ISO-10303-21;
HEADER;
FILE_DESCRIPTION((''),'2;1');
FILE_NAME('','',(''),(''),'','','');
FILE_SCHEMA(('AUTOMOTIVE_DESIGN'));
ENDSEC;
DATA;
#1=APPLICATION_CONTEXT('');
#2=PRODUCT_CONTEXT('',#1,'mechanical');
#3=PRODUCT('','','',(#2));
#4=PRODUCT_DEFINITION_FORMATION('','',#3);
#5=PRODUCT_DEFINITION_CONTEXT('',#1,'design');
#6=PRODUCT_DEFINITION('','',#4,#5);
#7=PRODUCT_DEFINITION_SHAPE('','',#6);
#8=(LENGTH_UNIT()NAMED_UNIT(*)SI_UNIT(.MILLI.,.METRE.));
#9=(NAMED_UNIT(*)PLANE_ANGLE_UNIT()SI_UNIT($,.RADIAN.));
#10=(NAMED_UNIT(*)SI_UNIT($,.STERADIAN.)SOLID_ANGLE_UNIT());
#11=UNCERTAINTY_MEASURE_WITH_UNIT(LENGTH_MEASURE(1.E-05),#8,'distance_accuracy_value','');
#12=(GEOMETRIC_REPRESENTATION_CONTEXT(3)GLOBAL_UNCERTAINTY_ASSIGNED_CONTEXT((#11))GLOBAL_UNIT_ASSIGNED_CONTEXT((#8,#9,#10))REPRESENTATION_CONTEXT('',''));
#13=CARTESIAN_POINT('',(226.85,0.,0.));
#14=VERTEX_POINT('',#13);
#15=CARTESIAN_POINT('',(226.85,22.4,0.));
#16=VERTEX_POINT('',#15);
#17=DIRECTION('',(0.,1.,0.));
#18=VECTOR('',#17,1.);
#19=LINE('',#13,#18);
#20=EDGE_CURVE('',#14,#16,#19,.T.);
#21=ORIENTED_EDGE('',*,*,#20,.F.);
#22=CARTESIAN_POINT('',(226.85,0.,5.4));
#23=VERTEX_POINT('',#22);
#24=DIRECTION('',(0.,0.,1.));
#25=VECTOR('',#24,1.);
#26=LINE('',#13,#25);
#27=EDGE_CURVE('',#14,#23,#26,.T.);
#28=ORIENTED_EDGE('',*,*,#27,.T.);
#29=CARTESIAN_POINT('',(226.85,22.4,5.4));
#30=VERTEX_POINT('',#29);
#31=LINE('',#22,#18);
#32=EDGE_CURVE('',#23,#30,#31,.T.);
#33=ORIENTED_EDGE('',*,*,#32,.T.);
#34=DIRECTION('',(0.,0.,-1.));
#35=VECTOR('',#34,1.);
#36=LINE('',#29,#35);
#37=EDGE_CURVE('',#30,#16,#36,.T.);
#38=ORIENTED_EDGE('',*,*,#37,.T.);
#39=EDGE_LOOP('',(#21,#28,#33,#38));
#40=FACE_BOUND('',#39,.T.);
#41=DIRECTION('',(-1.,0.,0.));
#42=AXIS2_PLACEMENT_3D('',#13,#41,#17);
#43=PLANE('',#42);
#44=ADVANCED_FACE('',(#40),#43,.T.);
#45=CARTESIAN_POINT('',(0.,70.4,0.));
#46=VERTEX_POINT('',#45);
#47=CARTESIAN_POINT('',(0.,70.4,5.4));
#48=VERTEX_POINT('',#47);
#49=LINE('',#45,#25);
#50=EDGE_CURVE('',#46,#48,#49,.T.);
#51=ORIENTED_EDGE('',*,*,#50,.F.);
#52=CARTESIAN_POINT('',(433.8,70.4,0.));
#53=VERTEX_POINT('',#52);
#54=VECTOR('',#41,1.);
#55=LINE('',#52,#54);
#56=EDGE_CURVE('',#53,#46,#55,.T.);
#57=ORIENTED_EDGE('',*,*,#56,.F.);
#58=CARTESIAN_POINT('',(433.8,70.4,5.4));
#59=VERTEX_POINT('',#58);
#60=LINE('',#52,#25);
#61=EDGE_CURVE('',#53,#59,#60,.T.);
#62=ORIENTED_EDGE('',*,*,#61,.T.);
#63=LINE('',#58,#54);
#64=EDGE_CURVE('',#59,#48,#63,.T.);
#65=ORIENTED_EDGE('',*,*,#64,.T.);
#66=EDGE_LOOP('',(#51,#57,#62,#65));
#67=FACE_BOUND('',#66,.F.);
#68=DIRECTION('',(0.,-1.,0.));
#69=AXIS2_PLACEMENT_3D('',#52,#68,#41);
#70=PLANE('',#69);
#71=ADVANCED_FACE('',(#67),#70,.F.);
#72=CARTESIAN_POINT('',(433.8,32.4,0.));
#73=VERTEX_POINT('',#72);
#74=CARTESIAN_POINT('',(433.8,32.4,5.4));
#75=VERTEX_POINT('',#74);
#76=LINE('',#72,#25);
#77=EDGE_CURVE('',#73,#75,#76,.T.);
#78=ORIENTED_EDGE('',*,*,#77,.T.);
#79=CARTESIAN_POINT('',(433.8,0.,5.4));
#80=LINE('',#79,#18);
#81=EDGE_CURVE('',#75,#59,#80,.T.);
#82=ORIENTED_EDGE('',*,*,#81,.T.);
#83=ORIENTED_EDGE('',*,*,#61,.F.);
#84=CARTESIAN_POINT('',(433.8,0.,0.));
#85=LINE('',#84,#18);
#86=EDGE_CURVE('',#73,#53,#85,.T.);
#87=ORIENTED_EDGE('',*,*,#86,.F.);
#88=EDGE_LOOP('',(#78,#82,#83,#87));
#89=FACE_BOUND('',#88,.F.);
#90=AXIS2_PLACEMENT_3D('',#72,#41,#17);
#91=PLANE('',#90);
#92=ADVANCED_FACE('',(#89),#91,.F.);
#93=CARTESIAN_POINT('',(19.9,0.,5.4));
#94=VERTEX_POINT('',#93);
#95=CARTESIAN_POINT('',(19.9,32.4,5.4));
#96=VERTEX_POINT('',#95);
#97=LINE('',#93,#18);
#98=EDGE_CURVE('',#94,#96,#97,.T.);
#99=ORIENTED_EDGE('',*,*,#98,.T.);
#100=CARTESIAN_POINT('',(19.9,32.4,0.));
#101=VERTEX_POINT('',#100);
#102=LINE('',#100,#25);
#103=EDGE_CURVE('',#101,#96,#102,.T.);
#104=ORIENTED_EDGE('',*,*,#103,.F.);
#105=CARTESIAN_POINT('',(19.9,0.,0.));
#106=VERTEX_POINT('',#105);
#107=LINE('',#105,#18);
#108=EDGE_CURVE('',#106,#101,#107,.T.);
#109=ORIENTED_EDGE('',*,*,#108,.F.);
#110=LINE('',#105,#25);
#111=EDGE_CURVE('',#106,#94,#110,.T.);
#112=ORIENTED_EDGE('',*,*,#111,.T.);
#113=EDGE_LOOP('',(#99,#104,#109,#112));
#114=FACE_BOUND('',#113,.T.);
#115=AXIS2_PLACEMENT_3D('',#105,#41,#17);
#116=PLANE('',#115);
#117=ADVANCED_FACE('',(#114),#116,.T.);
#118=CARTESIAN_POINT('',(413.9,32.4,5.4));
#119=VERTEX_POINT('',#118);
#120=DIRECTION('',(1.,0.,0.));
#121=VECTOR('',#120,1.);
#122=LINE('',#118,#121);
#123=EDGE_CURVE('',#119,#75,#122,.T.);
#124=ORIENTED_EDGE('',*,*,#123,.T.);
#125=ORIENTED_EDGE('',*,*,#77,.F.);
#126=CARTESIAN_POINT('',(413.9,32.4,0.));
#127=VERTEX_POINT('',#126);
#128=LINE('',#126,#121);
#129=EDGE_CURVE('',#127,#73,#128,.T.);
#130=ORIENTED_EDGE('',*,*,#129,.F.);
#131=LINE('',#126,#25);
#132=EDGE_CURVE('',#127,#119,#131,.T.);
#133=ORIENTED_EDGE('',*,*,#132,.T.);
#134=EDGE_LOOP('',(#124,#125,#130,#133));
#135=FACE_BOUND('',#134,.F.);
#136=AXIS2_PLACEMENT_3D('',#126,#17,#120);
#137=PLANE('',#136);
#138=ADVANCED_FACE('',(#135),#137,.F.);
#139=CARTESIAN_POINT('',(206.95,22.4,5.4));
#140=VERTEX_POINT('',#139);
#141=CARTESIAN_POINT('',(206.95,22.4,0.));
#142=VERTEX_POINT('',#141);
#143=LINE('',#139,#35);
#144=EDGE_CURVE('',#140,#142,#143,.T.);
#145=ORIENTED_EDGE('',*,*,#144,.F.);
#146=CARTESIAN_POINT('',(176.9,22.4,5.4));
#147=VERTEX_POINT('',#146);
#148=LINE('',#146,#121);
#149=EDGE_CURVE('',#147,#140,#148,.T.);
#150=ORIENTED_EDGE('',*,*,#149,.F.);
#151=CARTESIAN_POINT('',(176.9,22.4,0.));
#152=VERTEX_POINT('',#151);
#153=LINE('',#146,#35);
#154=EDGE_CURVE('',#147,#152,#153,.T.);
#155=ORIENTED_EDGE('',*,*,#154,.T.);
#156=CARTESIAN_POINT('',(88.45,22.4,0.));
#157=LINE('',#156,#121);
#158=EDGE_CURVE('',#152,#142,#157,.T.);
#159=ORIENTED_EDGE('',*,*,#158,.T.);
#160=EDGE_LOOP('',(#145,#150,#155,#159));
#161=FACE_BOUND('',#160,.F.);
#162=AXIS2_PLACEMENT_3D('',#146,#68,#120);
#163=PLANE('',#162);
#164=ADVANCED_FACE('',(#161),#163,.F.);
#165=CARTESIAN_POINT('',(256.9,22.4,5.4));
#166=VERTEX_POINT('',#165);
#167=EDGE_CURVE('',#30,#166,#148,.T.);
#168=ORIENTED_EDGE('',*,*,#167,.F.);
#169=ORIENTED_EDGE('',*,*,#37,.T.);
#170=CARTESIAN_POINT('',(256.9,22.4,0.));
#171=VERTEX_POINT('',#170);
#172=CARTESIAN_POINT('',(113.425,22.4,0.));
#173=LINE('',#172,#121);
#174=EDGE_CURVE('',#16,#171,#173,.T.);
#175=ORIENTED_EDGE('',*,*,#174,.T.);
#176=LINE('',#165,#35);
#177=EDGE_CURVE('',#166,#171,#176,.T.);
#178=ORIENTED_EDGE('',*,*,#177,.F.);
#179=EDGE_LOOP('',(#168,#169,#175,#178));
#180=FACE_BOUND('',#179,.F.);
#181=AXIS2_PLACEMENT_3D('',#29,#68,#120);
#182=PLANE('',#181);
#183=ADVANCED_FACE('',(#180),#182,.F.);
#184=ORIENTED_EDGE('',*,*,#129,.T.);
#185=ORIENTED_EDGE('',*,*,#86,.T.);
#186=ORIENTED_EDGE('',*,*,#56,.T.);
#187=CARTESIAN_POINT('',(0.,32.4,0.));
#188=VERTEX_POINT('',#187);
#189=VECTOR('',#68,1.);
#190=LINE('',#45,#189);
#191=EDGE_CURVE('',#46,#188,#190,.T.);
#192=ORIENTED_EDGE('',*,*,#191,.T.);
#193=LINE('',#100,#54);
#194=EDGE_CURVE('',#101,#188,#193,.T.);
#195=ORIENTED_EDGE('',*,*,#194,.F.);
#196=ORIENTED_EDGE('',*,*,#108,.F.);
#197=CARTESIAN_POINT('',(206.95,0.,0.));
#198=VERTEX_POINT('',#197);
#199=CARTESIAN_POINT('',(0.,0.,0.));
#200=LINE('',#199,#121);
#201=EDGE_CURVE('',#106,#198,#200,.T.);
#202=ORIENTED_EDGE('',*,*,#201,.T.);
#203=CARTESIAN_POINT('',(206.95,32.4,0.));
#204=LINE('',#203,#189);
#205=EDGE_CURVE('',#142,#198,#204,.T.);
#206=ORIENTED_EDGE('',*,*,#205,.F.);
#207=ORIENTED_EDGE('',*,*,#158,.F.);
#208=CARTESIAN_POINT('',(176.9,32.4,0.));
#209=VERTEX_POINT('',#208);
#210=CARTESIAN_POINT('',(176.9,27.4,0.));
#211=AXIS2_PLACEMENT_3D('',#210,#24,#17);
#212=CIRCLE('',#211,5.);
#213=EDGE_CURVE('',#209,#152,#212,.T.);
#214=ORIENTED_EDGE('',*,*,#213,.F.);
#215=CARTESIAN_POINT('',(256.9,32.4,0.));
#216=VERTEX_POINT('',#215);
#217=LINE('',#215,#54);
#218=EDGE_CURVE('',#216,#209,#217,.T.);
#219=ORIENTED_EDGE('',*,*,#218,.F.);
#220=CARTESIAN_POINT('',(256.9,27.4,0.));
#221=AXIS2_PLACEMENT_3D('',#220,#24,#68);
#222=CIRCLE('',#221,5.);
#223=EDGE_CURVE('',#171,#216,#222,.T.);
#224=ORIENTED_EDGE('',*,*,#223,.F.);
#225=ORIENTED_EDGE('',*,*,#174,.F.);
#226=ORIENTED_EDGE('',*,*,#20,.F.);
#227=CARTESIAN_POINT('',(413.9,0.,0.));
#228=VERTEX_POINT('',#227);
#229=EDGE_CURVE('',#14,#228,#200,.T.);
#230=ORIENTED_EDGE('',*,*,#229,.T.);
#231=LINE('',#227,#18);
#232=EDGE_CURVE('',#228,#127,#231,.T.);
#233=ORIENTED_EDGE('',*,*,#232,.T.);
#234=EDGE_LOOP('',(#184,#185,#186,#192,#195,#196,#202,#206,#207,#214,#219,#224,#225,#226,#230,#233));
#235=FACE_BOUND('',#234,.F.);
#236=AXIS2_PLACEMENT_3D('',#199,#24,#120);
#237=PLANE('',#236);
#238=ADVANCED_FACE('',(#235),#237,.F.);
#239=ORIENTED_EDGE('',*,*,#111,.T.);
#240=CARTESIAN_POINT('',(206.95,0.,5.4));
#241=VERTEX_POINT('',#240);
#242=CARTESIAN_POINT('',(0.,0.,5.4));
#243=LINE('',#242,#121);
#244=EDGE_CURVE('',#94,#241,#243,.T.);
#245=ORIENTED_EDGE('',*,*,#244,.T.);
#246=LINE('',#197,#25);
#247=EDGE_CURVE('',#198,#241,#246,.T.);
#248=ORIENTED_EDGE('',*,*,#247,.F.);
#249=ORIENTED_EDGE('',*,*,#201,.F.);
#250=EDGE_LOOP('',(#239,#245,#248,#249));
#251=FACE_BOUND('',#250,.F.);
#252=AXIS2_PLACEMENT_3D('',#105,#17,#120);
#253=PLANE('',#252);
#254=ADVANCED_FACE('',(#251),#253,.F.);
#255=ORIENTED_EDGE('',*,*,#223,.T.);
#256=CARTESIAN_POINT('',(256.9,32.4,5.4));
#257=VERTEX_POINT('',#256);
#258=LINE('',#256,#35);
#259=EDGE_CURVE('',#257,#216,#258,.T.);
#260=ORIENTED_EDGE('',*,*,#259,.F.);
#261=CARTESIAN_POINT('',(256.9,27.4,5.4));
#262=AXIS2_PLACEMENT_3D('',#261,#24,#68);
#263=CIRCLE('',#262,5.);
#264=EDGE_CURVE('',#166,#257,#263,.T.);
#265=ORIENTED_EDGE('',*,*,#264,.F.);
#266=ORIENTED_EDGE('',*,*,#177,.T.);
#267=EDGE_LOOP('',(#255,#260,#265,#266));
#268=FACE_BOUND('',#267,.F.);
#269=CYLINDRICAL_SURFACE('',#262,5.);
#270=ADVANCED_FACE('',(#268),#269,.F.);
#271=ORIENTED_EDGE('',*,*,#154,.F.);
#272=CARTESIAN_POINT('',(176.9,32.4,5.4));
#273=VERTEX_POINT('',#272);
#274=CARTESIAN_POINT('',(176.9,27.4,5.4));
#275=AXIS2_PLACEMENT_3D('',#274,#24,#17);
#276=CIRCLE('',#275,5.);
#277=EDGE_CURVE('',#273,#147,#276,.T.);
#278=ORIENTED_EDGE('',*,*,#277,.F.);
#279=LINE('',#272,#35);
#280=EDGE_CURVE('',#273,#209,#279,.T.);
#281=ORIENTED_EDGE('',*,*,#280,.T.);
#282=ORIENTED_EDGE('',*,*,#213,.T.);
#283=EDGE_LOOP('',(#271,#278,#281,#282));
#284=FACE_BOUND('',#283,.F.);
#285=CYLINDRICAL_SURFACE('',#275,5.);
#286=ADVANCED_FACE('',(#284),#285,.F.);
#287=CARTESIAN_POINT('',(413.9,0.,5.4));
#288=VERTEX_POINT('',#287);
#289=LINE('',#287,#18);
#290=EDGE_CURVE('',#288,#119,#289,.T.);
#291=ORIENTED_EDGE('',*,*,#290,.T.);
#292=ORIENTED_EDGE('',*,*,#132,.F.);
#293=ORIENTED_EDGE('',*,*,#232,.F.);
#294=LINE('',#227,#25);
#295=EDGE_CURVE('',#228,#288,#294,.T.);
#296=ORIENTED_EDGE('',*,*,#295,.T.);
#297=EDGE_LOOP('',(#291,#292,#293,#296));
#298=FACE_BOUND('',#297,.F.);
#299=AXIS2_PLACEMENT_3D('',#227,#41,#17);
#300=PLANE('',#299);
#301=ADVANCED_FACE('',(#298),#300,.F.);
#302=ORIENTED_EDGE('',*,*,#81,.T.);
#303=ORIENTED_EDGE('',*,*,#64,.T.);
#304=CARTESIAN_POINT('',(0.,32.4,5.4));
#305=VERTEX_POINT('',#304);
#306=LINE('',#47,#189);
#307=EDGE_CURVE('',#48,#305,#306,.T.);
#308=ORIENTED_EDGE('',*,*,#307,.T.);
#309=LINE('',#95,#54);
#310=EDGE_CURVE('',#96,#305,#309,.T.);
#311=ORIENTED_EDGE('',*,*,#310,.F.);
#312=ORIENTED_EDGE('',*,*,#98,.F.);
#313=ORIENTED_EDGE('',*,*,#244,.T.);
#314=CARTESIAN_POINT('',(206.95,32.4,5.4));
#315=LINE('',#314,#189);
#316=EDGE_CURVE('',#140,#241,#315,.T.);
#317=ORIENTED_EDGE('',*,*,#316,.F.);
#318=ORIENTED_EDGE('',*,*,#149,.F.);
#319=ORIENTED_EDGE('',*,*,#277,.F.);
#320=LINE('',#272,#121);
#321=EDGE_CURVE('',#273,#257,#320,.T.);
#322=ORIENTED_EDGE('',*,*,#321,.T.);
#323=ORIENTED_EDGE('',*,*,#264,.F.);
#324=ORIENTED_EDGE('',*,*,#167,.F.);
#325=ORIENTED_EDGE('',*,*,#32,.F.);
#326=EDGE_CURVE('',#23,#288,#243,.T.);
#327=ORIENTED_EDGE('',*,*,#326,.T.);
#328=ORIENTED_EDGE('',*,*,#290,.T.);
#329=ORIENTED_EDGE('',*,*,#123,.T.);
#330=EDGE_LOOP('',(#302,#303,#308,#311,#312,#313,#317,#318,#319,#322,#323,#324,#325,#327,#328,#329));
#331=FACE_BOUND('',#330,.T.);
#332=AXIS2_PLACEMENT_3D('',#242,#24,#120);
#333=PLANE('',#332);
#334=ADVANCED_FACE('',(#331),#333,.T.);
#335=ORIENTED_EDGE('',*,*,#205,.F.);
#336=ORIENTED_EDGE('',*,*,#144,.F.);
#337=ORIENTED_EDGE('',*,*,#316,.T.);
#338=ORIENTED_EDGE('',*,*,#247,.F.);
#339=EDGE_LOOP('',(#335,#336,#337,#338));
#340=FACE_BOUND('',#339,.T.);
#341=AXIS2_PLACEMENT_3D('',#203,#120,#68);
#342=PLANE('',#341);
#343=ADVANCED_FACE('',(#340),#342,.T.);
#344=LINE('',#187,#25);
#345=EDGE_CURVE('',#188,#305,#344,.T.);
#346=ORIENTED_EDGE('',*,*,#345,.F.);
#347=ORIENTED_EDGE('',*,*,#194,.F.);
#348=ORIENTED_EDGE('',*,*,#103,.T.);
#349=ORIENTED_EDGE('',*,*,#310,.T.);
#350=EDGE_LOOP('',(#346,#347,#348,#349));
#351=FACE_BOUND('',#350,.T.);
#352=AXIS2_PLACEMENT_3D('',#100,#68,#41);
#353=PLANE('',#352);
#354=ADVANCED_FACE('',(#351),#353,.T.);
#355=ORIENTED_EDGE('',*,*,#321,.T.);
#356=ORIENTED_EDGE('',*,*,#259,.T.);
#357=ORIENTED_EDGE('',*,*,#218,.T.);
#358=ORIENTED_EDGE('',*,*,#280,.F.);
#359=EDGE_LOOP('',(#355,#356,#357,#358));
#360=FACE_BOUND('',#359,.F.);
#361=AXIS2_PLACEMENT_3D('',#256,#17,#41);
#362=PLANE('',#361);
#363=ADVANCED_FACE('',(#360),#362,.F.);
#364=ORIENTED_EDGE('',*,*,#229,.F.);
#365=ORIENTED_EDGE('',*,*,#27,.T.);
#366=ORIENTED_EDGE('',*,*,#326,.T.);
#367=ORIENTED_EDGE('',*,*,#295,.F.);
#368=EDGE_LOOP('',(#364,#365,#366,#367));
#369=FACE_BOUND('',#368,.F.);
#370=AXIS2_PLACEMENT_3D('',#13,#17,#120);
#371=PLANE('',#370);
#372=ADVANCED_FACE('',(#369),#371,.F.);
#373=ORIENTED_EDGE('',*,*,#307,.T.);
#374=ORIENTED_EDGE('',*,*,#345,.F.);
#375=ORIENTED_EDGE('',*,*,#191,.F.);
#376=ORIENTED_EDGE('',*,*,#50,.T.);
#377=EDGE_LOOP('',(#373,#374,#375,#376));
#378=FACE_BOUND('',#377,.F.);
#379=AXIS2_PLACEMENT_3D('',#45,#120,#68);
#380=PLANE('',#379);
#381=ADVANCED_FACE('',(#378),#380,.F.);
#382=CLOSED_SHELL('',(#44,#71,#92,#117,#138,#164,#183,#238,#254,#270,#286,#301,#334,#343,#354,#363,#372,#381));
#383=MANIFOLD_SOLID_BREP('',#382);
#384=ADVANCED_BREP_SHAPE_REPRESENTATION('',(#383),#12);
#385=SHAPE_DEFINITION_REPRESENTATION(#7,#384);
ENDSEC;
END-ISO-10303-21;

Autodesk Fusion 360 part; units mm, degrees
sketch "Sketch1" plane through (0, 0, 0) normal (0, 0, 1) x (1, 0, 0)
  line L0 (0, 0) -> (433.8, 0)
  line L1 (433.8, 0) -> (433.8, 70.4)
  line L2 (433.8, 70.4) -> (0, 70.4)
  line L3 (0, 70.4) -> (0, 0)
  line L4 (0, 0) -> (19.9, 0)
  line L5 (19.9, 0) -> (19.9, 32.4)
  line L6 (19.9, 32.4) -> (0, 32.4)
  line L7 (0, 32.4) -> (0, 0)
  line L8 (206.95, 0) -> (226.85, 0)
  line L9 (226.85, 0) -> (226.85, 32.4)
  line L10 (226.85, 32.4) -> (206.95, 32.4)
  line L11 (206.95, 32.4) -> (206.95, 0)
  line L12 (433.8, 0) -> (413.9, 0)
  line L13 (413.9, 0) -> (413.9, 32.4)
  line L14 (413.9, 32.4) -> (433.8, 32.4)
  line L15 (433.8, 32.4) -> (433.8, 0)
  dimension "d1" = 433.8
  dimension "d2" = 70.4
  dimension "d3" = 19.9
  dimension "d4" = 19.9
  dimension "d5" = 19.9
  dimension "d6" = 32.4
  dimension "d7" = 32.4
  dimension "d8" = 32.4
  dimension "d9" = 206.95
extrude "Extrude2" add sketch "Sketch1" along normal blind 5.4 contours L0 L1 L2 L3 L5 L6 L9 L10 L11 L13 L14
sketch "Sketch2" plane through (0, 0, 5.4) normal (0, 0, 1) x (1, 0, 0)
  line L0 (226.85, 0) -> (413.9, 0)
  line L1 (413.9, 0) -> (413.9, 32.4)
  line L2 (413.9, 32.4) -> (433.8, 32.4)
  line L3 (433.8, 32.4) -> (433.8, 70.4)
  line L4 (433.8, 70.4) -> (0, 70.4)
  line L5 (0, 70.4) -> (0, 32.4)
  line L6 (0, 32.4) -> (19.9, 32.4)
  line L7 (19.9, 32.4) -> (19.9, 0)
  line L8 (19.9, 0) -> (206.95, 0)
  line L9 (206.95, 0) -> (206.95, 32.4)
  line L10 (206.95, 32.4) -> (226.85, 32.4)
  line L11 (226.85, 32.4) -> (226.85, 0)
  line L12 (256.9, 32.4) -> (176.9, 32.4)
  arc A0 (176.9, 32.4) -> (176.9, 22.4) centre (176.9, 27.4) ccw
  line L13 (176.9, 22.4) -> (256.9, 22.4)
  arc A1 (256.9, 22.4) -> (256.9, 32.4) centre (256.9, 27.4) ccw
  line L14 (256.9, 27.4) -> (176.9, 27.4) construction
  point P0 (216.9, 27.4)
  dimension "d14" = 5
  dimension "d15" = 80
  dimension "d16" = 433.8
  dimension "d17" = 216.9
extrude "Extrude3" cut sketch "Sketch2" against normal blind 25 contours L11 L12 L13 A1 | L9 L12 A0 L13
sketch "export" plane through (0, 0, 5.4) normal (0, 0, 1) x (1, 0, 0)
  line L0 (206.95, 22.4) -> (176.9, 22.4)
  arc A0 (176.9, 32.4) -> (176.9, 22.4) centre (176.9, 27.4) ccw
  line L1 (176.9, 32.4) -> (256.9, 32.4)
  arc A1 (256.9, 22.4) -> (256.9, 32.4) centre (256.9, 27.4) ccw
  line L2 (256.9, 22.4) -> (226.85, 22.4)
  line L3 (226.85, 22.4) -> (226.85, 0)
  line L4 (226.85, 0) -> (413.9, 0)
  line L5 (413.9, 0) -> (413.9, 32.4)
  line L6 (413.9, 32.4) -> (433.8, 32.4)
  line L7 (433.8, 32.4) -> (433.8, 70.4)
  line L8 (433.8, 70.4) -> (0, 70.4)
  line L9 (0, 70.4) -> (0, 32.4)
  line L10 (0, 32.4) -> (19.9, 32.4)
  line L11 (19.9, 32.4) -> (19.9, 0)
  line L12 (19.9, 0) -> (206.95, 0)
  line L13 (206.95, 0) -> (206.95, 22.4)
extrude "Extrude1" [suppressed]
equation "d2 = d6 + 38 mm"
equation "d4 = d3"
equation "d5 = d4"
equation "d6 = 6 * 5.4 mm"
equation "d7 = d6"
equation "d8 = d7"
equation "d9 = ( d1 - d4 ) / 2"
equation "d17 = d16 / 2"
